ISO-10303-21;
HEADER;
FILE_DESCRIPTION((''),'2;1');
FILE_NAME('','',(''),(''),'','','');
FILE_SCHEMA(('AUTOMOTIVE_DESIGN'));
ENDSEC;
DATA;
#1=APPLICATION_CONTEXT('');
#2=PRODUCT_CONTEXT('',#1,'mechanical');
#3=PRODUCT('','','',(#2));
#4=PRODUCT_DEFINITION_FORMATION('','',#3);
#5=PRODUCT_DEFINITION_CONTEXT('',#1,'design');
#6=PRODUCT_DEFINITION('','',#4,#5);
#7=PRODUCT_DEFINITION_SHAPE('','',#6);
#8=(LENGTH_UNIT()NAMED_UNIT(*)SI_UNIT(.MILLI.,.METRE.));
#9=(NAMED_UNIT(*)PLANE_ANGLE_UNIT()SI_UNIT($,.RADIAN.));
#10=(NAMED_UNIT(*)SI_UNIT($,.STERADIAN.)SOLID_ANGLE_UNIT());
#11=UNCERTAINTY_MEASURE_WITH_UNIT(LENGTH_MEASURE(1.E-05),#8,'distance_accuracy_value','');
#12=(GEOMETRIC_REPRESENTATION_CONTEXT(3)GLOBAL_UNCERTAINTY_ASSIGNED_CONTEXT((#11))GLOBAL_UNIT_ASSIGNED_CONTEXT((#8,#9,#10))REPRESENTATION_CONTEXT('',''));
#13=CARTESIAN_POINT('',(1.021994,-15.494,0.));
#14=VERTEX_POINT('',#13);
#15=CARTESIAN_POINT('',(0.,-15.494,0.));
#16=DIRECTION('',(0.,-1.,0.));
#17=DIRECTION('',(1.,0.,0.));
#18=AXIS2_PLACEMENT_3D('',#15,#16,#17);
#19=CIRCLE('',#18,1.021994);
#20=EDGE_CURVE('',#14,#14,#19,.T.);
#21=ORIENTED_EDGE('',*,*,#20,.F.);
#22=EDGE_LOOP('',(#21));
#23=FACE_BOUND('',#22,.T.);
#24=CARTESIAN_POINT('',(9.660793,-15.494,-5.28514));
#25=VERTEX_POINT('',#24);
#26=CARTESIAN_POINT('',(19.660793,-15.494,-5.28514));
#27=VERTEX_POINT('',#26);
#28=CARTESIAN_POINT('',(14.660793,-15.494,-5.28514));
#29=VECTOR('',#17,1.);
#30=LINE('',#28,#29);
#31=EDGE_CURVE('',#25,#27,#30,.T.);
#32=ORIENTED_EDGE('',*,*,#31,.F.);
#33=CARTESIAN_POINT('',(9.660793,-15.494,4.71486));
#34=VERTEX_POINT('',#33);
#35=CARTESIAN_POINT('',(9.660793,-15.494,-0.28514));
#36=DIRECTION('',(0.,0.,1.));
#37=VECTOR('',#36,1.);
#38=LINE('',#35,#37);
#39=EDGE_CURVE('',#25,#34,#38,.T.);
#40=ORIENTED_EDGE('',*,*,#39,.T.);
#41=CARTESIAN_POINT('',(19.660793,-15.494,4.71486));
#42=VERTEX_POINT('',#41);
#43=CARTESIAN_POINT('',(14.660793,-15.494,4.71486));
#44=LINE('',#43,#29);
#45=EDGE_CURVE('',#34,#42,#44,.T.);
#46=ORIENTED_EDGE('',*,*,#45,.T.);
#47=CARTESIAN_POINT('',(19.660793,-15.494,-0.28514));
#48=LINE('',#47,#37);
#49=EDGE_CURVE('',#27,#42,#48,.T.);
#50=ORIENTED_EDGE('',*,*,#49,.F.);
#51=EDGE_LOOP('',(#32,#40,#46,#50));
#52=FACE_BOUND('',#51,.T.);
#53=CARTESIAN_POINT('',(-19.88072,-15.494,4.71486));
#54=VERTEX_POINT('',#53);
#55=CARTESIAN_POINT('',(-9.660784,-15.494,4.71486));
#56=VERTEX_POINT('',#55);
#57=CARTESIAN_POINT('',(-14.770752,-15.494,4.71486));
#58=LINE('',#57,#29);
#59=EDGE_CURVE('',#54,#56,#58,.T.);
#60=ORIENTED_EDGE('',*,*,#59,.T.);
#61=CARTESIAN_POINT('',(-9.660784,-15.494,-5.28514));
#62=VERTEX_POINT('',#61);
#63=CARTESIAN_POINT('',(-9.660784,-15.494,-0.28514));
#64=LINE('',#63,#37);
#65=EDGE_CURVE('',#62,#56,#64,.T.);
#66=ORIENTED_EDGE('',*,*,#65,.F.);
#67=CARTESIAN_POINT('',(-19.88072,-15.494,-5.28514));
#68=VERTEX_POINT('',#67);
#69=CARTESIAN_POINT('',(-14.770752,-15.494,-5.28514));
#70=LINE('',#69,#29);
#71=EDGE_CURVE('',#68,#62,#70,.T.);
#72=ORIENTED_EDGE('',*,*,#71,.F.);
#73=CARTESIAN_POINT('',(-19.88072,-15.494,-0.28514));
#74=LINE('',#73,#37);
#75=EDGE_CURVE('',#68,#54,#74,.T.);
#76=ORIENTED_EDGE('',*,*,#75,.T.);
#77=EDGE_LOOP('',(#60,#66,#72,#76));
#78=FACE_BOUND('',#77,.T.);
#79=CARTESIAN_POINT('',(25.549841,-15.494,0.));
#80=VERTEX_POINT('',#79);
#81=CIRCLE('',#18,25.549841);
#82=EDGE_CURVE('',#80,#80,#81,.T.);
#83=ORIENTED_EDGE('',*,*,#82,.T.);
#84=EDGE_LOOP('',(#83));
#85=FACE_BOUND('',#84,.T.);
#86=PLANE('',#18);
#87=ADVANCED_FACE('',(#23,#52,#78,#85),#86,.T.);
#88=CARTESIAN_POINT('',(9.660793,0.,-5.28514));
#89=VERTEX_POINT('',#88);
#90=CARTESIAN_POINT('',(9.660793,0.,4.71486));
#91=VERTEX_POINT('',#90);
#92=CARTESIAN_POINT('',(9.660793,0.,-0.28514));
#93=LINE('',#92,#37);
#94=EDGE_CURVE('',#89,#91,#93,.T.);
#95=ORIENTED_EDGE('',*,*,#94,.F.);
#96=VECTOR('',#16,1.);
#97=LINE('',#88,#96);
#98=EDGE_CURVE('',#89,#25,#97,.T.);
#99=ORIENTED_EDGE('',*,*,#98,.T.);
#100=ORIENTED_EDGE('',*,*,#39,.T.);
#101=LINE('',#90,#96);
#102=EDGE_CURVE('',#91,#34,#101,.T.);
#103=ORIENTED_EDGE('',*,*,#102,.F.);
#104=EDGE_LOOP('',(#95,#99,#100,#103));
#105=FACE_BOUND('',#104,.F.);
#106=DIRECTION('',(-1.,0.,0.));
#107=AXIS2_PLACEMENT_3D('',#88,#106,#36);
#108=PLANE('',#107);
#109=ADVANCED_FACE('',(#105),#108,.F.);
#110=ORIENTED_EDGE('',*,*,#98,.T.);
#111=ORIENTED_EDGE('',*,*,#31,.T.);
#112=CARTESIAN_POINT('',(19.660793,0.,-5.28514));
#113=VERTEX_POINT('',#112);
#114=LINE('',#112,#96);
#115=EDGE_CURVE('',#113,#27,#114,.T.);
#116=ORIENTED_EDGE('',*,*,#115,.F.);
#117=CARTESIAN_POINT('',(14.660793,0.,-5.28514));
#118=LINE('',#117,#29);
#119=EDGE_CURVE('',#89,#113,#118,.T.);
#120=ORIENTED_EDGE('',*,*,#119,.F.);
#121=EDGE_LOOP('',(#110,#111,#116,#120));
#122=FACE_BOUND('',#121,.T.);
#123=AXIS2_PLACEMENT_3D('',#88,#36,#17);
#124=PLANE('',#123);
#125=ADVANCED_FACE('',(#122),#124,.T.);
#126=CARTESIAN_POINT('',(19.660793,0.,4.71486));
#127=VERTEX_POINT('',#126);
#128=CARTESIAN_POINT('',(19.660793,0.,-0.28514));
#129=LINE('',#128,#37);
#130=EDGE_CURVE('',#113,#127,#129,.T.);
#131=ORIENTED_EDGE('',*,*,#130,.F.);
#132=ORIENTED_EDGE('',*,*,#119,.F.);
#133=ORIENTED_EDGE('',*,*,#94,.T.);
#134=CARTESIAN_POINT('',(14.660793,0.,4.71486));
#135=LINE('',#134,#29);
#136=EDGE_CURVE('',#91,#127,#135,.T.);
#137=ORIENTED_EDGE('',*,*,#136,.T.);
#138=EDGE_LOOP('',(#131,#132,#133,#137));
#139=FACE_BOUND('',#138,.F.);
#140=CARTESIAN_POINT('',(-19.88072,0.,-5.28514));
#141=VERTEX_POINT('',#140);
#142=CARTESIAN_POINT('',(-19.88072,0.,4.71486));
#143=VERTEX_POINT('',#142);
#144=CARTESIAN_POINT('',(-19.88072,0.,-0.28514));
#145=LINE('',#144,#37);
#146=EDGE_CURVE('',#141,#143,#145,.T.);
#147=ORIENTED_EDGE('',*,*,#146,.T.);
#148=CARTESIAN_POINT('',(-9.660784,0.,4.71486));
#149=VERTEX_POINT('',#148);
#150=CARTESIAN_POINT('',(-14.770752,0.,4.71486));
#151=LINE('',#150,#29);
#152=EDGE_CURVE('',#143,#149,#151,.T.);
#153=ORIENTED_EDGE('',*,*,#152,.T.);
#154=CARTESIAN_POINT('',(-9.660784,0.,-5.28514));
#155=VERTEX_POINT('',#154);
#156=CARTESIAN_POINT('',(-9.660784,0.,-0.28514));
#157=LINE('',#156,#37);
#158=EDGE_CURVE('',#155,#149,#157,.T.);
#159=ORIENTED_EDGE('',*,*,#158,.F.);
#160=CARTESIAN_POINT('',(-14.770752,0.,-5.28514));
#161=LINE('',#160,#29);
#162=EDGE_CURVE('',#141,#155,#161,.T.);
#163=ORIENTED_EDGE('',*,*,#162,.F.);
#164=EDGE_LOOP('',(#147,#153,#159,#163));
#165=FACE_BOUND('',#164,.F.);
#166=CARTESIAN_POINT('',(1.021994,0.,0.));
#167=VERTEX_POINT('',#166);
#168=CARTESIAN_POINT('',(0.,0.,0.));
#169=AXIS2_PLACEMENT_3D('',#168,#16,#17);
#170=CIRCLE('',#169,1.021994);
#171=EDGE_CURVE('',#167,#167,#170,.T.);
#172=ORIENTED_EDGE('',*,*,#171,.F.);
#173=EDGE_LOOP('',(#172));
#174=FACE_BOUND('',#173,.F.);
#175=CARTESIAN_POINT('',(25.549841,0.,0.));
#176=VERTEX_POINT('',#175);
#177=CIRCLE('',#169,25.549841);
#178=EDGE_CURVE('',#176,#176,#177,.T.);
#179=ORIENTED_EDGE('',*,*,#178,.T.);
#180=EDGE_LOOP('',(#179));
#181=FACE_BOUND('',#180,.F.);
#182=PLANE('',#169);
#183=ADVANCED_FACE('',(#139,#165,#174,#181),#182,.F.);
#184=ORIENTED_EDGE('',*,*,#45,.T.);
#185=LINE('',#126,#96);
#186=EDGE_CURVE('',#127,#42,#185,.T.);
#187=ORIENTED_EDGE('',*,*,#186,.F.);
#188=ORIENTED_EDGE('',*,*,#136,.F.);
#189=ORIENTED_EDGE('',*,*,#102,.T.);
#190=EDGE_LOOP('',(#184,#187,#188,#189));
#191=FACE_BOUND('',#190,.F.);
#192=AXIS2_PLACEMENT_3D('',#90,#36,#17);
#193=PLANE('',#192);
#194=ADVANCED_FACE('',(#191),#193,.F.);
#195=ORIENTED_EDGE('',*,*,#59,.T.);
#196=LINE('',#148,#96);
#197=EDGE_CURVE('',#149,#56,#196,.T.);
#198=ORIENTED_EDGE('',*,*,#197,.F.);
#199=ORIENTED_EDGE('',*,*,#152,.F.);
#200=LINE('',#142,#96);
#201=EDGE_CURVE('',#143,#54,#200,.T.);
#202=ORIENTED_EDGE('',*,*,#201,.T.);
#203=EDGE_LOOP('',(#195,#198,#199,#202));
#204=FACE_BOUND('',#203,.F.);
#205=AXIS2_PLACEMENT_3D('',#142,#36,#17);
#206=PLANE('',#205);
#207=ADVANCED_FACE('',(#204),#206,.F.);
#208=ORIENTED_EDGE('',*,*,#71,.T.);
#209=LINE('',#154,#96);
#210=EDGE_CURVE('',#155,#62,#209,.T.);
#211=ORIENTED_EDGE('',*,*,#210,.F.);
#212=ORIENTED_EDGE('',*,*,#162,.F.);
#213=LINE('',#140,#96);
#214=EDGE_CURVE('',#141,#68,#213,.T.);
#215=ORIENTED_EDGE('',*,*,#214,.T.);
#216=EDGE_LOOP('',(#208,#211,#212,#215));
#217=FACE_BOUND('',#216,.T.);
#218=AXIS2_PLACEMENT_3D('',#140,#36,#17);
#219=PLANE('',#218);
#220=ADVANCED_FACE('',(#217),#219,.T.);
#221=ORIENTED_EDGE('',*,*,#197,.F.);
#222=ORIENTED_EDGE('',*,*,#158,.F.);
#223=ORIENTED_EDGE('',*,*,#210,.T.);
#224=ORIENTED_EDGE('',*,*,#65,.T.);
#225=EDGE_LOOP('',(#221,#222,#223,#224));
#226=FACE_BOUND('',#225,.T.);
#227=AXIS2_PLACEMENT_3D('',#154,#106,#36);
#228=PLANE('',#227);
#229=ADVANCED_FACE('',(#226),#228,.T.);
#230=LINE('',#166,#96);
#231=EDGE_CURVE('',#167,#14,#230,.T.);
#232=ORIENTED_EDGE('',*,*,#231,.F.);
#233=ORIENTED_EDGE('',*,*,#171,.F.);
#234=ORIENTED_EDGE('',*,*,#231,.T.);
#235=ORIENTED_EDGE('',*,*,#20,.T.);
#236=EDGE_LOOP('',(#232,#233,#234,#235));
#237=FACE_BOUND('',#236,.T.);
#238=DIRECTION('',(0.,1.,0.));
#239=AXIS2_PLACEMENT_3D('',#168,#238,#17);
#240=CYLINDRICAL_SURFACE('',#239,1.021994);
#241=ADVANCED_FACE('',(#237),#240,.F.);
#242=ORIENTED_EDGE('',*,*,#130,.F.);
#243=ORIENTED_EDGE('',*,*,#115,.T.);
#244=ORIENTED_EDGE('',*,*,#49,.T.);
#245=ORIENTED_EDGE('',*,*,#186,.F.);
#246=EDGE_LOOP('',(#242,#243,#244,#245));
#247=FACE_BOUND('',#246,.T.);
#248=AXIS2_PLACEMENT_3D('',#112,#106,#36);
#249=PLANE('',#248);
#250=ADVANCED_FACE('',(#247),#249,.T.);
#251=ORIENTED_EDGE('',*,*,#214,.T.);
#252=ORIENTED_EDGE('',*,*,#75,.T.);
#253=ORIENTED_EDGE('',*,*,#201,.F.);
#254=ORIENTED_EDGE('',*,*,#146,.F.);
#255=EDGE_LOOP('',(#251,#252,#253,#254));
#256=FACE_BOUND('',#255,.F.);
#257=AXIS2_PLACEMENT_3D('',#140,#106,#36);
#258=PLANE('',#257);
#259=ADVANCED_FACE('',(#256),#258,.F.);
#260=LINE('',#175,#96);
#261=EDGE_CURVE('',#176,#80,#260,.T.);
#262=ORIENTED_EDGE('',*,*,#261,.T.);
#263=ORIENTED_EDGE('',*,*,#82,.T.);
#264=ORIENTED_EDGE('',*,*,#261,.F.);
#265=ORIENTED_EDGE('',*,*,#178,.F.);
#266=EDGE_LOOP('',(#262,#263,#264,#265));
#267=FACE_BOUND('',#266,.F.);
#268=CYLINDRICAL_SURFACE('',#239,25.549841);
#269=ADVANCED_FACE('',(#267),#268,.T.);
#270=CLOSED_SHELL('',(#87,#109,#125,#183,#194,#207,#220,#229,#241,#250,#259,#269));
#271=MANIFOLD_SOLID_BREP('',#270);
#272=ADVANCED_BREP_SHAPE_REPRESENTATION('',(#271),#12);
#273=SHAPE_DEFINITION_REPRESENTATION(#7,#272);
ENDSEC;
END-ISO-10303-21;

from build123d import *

# Parameters (mm, degrees)
F0_R     = 25.549841
F0_W     = 10.219937
F0_H     = 10
F0_W_2   = 10
F0_R_2   = 1.021994
F1_DEPTH = 15.494


with BuildPart() as f1:
    # F0 (on Front) → F1 (new body)
    with BuildSketch(Plane.XZ):
        Circle(F0_R)
        with Locations((-14.770752, -0.28514)):
            Rectangle(F0_W, F0_H, mode=Mode.SUBTRACT)
        with Locations((14.660793, -0.28514)):
            Rectangle(F0_W_2, F0_H, mode=Mode.SUBTRACT)
        Circle(F0_R_2, mode=Mode.SUBTRACT)
    extrude(amount=F1_DEPTH)


solid = f1.part
